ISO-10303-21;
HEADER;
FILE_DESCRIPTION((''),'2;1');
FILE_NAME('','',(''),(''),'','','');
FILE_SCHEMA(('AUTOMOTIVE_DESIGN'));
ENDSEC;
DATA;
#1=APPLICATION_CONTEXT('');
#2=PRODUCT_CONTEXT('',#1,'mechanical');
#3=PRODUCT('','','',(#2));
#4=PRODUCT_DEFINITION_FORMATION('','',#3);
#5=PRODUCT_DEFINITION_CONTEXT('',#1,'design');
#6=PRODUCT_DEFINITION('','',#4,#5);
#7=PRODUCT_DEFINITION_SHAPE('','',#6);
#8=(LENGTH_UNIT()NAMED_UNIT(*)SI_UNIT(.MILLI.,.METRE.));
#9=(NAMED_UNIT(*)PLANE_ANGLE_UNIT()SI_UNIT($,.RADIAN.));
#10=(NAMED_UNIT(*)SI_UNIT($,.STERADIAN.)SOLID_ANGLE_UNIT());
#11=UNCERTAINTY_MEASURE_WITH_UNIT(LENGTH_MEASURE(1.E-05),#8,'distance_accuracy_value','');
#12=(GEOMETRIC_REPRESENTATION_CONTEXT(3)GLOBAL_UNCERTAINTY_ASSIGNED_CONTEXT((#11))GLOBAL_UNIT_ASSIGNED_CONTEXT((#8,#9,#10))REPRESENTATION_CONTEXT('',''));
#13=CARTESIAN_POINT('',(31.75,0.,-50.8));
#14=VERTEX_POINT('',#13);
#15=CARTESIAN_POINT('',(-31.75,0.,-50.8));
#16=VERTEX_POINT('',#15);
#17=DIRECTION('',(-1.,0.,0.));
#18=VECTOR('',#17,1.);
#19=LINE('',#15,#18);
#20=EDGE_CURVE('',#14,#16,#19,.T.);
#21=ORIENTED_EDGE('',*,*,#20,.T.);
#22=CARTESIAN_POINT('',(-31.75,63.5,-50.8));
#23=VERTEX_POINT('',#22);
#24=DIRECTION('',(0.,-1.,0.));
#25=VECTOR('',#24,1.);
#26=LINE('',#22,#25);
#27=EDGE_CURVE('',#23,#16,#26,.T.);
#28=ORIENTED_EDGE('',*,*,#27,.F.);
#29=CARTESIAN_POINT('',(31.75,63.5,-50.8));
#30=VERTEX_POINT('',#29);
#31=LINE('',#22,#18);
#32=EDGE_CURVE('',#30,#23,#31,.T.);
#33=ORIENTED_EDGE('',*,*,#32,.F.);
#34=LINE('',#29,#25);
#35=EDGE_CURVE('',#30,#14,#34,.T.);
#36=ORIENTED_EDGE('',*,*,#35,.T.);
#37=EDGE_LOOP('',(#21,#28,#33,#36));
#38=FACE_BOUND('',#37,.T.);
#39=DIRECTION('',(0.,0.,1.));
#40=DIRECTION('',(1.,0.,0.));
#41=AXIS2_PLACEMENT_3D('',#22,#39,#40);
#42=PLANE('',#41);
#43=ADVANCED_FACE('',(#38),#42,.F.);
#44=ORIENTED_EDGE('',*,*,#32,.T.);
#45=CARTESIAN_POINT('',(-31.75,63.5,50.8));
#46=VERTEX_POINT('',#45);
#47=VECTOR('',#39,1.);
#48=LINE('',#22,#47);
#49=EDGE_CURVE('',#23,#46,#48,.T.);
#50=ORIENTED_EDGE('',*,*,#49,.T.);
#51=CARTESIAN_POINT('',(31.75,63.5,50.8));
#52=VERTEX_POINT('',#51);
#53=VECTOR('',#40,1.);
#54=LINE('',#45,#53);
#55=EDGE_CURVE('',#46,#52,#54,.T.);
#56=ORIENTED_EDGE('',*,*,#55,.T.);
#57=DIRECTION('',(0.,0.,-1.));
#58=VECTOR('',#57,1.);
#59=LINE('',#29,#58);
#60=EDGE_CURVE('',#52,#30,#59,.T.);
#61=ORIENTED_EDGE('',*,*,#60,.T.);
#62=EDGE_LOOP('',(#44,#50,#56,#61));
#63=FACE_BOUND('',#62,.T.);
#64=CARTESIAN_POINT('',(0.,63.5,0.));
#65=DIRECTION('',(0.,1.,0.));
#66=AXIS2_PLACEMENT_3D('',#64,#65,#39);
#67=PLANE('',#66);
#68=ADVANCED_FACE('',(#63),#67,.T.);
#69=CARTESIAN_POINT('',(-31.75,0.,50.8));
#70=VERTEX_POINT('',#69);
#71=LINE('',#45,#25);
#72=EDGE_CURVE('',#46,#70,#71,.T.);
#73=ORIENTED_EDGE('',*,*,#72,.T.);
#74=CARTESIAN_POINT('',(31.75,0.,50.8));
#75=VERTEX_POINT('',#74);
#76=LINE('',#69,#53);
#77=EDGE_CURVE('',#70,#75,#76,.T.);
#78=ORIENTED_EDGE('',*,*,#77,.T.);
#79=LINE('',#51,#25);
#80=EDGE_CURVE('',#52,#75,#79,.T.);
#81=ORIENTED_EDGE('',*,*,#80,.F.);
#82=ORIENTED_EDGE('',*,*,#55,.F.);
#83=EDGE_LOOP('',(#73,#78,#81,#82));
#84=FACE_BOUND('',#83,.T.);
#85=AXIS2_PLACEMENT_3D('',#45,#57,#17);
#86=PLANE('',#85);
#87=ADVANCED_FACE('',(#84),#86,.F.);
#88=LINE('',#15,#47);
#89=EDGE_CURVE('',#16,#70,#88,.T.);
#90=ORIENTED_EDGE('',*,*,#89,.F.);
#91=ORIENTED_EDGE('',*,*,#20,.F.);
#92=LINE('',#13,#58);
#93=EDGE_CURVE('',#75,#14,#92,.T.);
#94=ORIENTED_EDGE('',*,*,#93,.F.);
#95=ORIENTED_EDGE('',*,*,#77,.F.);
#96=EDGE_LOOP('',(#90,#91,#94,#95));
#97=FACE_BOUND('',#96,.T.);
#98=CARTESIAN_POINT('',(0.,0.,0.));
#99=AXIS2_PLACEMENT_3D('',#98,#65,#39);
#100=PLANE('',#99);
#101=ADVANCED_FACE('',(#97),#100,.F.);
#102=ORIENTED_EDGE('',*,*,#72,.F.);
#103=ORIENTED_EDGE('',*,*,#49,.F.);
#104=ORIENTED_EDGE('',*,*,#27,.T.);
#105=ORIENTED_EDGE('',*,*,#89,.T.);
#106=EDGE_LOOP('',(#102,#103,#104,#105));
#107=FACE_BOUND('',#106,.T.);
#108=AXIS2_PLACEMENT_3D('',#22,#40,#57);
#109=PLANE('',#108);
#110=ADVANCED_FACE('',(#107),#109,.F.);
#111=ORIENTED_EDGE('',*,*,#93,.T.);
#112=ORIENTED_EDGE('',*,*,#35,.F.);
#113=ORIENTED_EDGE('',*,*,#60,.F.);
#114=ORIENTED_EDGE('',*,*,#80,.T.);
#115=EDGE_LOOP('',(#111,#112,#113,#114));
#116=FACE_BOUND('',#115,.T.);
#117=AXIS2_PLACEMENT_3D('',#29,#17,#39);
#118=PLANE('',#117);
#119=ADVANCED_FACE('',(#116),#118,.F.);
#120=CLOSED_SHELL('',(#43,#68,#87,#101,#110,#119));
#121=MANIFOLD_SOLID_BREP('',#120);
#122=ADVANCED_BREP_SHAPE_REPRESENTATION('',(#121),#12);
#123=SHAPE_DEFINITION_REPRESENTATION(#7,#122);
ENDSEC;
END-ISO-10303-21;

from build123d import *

# Parameters (mm, degrees)
SKETCH1_W           = 63.5
SKETCH1_H           = 101.6
BOSS_EXTRUDE1_DEPTH = 63.5


with BuildPart() as part:
    # Sketch1 → Boss-Extrude1 (new body)
    with BuildSketch(Plane(origin=(0, 0, 0), x_dir=(1, 0, 0), z_dir=(0, 1, 0))):
        Rectangle(SKETCH1_W, SKETCH1_H)
    extrude(amount=BOSS_EXTRUDE1_DEPTH)


solid = part.part
